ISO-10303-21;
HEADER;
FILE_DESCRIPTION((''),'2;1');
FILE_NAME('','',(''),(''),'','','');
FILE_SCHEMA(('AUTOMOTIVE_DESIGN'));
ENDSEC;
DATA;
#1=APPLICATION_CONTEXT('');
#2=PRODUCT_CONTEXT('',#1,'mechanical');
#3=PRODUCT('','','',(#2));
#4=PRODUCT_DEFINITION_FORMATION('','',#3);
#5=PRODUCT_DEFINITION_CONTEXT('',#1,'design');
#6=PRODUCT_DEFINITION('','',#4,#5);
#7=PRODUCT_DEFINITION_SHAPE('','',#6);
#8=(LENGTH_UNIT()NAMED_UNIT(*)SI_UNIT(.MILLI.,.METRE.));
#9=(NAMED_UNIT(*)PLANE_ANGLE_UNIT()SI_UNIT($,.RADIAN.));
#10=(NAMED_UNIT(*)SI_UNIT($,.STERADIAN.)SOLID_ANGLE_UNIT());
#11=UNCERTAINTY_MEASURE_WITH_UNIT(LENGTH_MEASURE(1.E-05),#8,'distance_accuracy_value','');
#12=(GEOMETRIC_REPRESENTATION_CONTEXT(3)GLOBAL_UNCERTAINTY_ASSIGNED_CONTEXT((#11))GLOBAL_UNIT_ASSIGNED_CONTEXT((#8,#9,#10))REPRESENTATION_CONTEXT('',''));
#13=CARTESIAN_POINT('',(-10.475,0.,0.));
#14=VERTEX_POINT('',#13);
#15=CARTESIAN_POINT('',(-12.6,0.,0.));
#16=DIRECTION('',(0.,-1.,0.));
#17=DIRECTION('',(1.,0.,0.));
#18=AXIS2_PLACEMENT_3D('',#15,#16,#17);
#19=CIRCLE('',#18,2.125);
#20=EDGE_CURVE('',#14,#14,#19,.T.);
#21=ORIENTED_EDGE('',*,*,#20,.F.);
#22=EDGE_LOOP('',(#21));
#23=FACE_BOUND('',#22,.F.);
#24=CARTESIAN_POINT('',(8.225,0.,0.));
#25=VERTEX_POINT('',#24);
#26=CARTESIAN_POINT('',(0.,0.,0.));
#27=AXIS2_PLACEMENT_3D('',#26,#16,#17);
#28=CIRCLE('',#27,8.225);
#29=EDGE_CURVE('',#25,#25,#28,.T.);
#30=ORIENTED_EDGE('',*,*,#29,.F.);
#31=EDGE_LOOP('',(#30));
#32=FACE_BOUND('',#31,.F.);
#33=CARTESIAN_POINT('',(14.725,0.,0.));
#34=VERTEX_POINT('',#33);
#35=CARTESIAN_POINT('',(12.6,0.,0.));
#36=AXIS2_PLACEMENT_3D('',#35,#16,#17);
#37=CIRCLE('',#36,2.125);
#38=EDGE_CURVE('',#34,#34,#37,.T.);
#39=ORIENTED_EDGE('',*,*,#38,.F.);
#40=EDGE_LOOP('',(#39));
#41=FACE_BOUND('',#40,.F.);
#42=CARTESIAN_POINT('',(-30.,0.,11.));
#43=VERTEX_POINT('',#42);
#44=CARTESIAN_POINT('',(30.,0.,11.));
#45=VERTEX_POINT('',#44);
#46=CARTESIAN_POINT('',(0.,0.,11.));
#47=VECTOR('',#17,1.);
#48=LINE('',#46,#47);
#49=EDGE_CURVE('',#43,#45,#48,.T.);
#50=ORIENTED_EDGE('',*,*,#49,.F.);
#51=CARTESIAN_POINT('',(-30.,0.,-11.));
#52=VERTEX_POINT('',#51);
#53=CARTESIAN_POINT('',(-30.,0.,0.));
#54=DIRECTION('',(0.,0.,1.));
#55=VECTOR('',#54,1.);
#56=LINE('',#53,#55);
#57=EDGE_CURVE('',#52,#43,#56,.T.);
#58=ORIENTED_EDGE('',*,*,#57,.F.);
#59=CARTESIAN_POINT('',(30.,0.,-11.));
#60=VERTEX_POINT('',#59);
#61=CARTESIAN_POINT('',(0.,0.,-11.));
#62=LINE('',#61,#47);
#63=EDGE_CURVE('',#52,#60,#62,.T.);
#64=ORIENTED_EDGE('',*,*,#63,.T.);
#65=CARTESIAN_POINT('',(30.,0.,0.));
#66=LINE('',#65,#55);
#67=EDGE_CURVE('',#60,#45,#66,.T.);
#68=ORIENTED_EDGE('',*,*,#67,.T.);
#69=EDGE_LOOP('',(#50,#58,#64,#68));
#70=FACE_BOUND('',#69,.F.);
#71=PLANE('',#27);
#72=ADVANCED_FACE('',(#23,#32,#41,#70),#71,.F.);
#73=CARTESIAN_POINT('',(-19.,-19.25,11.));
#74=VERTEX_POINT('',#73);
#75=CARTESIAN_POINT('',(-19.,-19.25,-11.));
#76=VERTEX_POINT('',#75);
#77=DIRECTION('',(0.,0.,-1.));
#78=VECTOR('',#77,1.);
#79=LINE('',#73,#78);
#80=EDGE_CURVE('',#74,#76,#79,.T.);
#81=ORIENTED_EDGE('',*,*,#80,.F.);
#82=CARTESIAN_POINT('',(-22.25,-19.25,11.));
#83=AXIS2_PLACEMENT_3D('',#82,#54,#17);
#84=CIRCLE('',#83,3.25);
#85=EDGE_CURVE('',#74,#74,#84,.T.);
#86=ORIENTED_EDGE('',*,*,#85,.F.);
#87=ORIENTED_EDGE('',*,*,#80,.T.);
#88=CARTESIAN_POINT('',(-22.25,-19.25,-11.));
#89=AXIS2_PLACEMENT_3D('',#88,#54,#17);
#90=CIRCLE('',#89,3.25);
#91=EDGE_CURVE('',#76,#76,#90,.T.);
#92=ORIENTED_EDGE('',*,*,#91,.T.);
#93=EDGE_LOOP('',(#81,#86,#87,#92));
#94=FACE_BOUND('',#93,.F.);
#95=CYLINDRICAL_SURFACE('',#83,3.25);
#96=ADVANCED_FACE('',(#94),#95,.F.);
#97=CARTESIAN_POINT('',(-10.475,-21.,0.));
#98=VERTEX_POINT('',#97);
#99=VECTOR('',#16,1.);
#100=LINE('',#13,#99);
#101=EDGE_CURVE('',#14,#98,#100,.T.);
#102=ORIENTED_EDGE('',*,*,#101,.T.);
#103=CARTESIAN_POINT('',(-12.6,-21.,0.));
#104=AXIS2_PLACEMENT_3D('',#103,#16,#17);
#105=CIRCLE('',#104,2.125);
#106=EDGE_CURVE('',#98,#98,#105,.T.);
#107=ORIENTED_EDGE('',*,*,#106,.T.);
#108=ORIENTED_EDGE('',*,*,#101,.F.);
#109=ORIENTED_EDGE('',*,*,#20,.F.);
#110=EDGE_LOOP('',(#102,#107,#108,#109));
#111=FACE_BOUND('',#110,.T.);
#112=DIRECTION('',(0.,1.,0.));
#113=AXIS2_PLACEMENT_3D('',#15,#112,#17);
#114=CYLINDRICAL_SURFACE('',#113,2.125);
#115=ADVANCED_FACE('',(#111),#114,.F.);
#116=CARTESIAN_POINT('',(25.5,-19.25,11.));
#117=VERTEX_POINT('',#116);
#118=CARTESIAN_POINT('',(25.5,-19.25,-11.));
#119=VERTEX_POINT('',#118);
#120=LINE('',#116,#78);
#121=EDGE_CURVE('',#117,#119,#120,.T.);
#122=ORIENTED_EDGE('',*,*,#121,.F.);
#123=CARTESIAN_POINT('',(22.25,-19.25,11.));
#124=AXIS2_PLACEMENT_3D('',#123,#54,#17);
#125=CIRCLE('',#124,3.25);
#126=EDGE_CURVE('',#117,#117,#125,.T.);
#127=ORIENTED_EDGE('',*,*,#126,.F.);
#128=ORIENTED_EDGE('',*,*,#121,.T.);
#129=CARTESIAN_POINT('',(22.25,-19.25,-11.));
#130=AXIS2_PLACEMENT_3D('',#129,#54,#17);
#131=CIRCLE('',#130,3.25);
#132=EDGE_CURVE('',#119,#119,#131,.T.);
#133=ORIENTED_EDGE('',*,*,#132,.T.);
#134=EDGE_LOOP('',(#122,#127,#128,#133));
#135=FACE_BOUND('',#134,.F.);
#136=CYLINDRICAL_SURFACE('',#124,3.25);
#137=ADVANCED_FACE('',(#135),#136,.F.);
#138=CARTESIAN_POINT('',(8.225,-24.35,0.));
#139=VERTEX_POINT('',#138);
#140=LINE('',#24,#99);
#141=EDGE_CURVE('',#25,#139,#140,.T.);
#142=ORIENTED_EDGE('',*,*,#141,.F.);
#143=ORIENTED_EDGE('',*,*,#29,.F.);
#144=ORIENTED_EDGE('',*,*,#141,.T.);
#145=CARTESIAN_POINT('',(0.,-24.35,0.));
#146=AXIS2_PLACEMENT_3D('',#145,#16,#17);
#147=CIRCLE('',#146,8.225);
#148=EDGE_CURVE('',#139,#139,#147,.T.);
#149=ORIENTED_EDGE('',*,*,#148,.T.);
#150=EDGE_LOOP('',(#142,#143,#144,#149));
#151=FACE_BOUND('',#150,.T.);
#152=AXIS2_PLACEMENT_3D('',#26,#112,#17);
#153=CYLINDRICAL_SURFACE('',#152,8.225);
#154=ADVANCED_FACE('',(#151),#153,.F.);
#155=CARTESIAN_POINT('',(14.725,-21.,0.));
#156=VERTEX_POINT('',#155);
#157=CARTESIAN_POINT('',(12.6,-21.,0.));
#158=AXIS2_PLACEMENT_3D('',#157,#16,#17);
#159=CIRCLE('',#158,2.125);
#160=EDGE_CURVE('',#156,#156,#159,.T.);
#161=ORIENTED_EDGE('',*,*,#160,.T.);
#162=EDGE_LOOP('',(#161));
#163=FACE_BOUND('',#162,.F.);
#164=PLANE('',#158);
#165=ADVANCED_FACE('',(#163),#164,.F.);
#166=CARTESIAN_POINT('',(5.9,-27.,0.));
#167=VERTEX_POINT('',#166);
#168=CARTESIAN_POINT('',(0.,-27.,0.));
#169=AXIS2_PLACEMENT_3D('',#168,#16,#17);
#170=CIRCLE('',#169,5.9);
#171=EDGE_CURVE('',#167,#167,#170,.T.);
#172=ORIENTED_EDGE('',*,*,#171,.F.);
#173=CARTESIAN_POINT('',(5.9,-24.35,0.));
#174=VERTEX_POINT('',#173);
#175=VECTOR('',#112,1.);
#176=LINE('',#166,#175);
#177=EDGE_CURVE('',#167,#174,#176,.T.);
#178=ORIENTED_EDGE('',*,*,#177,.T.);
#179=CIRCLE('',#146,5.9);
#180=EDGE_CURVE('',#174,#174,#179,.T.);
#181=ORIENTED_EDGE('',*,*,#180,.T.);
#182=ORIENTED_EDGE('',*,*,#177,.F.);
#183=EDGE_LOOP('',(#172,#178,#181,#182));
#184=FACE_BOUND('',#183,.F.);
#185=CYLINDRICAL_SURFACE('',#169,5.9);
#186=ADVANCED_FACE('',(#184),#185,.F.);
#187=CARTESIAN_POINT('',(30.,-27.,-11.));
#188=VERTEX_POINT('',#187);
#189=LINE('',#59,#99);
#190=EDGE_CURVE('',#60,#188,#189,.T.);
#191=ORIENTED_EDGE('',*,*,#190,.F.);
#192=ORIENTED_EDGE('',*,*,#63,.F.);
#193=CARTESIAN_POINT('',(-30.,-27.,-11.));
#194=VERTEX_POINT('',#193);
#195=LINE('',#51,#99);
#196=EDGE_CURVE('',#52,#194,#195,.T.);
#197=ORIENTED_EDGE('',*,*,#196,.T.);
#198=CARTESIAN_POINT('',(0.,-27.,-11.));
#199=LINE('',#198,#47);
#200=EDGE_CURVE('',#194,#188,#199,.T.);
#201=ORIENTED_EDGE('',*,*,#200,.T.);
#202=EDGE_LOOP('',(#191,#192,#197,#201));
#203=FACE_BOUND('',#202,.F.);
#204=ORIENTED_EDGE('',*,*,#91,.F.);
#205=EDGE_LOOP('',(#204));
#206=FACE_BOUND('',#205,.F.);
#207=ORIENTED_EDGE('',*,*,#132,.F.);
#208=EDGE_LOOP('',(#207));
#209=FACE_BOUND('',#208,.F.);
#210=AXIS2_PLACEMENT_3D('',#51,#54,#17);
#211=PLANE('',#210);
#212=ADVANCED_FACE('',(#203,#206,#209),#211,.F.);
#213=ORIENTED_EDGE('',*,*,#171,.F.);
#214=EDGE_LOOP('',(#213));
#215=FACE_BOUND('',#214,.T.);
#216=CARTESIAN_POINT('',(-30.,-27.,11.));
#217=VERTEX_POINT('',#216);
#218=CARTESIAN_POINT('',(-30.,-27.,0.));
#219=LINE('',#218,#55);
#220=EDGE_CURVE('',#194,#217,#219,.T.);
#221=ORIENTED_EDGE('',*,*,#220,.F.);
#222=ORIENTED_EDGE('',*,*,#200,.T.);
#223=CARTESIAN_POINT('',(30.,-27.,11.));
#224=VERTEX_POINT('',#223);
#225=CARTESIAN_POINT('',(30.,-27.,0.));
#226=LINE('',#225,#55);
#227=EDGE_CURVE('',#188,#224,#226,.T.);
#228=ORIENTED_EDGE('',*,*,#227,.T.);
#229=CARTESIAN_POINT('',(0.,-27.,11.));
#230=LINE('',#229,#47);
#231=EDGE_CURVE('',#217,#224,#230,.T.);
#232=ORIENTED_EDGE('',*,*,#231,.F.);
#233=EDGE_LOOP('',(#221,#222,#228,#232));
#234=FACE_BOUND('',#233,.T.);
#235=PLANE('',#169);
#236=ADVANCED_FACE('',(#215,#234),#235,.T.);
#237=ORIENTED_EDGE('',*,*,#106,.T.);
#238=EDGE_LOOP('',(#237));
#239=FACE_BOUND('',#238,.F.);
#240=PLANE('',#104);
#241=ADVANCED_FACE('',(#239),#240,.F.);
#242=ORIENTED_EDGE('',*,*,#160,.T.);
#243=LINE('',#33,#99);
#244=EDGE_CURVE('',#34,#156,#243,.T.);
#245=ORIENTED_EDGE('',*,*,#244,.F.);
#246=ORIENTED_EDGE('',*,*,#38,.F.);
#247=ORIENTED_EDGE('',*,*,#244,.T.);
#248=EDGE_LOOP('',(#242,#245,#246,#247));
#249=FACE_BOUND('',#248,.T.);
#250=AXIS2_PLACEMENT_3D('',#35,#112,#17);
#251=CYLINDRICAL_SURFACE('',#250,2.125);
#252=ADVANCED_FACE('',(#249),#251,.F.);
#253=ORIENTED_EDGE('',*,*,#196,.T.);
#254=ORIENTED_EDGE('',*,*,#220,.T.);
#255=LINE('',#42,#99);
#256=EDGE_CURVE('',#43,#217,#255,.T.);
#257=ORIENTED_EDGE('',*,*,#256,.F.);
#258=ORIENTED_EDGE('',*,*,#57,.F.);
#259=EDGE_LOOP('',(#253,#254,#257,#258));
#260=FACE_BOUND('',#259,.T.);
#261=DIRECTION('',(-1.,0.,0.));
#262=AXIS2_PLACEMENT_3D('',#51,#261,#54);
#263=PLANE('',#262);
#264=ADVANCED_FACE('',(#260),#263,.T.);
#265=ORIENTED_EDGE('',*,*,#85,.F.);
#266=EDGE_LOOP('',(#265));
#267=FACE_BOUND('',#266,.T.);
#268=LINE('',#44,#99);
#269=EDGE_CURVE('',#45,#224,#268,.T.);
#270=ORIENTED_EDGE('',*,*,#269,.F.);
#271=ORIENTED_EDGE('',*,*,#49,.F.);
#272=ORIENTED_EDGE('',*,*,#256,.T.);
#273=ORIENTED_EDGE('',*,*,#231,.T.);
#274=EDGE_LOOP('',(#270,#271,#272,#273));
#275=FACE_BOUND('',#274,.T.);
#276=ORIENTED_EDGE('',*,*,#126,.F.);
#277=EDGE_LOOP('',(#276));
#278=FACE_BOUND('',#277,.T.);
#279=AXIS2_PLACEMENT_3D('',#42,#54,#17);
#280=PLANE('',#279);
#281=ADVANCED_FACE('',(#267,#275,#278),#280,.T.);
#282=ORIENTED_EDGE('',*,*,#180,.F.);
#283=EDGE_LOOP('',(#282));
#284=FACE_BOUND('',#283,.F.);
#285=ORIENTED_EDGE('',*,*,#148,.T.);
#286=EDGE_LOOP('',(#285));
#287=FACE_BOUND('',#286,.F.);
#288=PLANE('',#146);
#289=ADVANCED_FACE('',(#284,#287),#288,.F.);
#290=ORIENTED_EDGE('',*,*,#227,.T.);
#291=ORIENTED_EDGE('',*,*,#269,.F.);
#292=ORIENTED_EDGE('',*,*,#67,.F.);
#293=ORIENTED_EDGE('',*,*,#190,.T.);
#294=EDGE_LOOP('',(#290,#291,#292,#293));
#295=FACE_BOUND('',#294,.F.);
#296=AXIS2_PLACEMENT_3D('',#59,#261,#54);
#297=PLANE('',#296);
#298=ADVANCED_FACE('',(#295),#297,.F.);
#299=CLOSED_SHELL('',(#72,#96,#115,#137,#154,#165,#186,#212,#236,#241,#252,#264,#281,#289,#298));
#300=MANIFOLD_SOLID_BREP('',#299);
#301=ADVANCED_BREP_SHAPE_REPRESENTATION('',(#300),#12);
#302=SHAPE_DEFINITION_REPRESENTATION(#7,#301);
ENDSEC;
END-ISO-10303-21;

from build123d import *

# Parameters (mm, degrees)
F0_W     = 60
F0_H     = 22
F0_R     = 2.125
F0_R_2   = 8.225
F1_DEPTH = 27
F2_DEPTH = 21
F3_R     = 3.25
F4_DEPTH = 22.001
F5_DEPTH = 24.35
F6_R     = 5.9
F7_DEPTH = 27.001


with BuildPart() as f1:
    # F0 (on Front) → F1 (new body)
    with BuildSketch(Plane.XZ):
        Rectangle(F0_W, F0_H)
        with Locations((-12.6, 0)):
            Circle(F0_R, mode=Mode.SUBTRACT)
        Circle(F0_R_2, mode=Mode.SUBTRACT)
        with Locations((12.6, 0)):
            Circle(F0_R, mode=Mode.SUBTRACT)
        Circle(F0_R_2)
        with Locations((-12.6, 0)):
            Circle(F0_R)
        with Locations((12.6, 0)):
            Circle(F0_R)
    extrude(amount=F1_DEPTH)

    # F0 (on Front) → F2 (cut)
    with BuildSketch(Plane.XZ):
        with Locations((12.6, 0)):
            Circle(F0_R)
        with Locations((-12.6, 0)):
            Circle(F0_R)
    extrude(amount=F2_DEPTH, mode=Mode.SUBTRACT)

    # F3 (on face) → F4 (cut, through all)
    with BuildSketch(Plane.XY.offset(11)):
        with Locations((22.25, -19.25)):
            Circle(F3_R)
        with Locations((-22.25, -19.25)):
            Circle(F3_R)
    extrude(amount=-F4_DEPTH, mode=Mode.SUBTRACT)

    # F0 (on Front) → F5 (cut)
    with BuildSketch(Plane.XZ):
        Circle(F0_R_2)
    extrude(amount=F5_DEPTH, mode=Mode.SUBTRACT)

    # F6 (on face) → F7 (cut, through all)
    with BuildSketch(Plane.XZ.offset(27)):
        Circle(F6_R)
    extrude(amount=-F7_DEPTH, mode=Mode.SUBTRACT)


solid = f1.part
